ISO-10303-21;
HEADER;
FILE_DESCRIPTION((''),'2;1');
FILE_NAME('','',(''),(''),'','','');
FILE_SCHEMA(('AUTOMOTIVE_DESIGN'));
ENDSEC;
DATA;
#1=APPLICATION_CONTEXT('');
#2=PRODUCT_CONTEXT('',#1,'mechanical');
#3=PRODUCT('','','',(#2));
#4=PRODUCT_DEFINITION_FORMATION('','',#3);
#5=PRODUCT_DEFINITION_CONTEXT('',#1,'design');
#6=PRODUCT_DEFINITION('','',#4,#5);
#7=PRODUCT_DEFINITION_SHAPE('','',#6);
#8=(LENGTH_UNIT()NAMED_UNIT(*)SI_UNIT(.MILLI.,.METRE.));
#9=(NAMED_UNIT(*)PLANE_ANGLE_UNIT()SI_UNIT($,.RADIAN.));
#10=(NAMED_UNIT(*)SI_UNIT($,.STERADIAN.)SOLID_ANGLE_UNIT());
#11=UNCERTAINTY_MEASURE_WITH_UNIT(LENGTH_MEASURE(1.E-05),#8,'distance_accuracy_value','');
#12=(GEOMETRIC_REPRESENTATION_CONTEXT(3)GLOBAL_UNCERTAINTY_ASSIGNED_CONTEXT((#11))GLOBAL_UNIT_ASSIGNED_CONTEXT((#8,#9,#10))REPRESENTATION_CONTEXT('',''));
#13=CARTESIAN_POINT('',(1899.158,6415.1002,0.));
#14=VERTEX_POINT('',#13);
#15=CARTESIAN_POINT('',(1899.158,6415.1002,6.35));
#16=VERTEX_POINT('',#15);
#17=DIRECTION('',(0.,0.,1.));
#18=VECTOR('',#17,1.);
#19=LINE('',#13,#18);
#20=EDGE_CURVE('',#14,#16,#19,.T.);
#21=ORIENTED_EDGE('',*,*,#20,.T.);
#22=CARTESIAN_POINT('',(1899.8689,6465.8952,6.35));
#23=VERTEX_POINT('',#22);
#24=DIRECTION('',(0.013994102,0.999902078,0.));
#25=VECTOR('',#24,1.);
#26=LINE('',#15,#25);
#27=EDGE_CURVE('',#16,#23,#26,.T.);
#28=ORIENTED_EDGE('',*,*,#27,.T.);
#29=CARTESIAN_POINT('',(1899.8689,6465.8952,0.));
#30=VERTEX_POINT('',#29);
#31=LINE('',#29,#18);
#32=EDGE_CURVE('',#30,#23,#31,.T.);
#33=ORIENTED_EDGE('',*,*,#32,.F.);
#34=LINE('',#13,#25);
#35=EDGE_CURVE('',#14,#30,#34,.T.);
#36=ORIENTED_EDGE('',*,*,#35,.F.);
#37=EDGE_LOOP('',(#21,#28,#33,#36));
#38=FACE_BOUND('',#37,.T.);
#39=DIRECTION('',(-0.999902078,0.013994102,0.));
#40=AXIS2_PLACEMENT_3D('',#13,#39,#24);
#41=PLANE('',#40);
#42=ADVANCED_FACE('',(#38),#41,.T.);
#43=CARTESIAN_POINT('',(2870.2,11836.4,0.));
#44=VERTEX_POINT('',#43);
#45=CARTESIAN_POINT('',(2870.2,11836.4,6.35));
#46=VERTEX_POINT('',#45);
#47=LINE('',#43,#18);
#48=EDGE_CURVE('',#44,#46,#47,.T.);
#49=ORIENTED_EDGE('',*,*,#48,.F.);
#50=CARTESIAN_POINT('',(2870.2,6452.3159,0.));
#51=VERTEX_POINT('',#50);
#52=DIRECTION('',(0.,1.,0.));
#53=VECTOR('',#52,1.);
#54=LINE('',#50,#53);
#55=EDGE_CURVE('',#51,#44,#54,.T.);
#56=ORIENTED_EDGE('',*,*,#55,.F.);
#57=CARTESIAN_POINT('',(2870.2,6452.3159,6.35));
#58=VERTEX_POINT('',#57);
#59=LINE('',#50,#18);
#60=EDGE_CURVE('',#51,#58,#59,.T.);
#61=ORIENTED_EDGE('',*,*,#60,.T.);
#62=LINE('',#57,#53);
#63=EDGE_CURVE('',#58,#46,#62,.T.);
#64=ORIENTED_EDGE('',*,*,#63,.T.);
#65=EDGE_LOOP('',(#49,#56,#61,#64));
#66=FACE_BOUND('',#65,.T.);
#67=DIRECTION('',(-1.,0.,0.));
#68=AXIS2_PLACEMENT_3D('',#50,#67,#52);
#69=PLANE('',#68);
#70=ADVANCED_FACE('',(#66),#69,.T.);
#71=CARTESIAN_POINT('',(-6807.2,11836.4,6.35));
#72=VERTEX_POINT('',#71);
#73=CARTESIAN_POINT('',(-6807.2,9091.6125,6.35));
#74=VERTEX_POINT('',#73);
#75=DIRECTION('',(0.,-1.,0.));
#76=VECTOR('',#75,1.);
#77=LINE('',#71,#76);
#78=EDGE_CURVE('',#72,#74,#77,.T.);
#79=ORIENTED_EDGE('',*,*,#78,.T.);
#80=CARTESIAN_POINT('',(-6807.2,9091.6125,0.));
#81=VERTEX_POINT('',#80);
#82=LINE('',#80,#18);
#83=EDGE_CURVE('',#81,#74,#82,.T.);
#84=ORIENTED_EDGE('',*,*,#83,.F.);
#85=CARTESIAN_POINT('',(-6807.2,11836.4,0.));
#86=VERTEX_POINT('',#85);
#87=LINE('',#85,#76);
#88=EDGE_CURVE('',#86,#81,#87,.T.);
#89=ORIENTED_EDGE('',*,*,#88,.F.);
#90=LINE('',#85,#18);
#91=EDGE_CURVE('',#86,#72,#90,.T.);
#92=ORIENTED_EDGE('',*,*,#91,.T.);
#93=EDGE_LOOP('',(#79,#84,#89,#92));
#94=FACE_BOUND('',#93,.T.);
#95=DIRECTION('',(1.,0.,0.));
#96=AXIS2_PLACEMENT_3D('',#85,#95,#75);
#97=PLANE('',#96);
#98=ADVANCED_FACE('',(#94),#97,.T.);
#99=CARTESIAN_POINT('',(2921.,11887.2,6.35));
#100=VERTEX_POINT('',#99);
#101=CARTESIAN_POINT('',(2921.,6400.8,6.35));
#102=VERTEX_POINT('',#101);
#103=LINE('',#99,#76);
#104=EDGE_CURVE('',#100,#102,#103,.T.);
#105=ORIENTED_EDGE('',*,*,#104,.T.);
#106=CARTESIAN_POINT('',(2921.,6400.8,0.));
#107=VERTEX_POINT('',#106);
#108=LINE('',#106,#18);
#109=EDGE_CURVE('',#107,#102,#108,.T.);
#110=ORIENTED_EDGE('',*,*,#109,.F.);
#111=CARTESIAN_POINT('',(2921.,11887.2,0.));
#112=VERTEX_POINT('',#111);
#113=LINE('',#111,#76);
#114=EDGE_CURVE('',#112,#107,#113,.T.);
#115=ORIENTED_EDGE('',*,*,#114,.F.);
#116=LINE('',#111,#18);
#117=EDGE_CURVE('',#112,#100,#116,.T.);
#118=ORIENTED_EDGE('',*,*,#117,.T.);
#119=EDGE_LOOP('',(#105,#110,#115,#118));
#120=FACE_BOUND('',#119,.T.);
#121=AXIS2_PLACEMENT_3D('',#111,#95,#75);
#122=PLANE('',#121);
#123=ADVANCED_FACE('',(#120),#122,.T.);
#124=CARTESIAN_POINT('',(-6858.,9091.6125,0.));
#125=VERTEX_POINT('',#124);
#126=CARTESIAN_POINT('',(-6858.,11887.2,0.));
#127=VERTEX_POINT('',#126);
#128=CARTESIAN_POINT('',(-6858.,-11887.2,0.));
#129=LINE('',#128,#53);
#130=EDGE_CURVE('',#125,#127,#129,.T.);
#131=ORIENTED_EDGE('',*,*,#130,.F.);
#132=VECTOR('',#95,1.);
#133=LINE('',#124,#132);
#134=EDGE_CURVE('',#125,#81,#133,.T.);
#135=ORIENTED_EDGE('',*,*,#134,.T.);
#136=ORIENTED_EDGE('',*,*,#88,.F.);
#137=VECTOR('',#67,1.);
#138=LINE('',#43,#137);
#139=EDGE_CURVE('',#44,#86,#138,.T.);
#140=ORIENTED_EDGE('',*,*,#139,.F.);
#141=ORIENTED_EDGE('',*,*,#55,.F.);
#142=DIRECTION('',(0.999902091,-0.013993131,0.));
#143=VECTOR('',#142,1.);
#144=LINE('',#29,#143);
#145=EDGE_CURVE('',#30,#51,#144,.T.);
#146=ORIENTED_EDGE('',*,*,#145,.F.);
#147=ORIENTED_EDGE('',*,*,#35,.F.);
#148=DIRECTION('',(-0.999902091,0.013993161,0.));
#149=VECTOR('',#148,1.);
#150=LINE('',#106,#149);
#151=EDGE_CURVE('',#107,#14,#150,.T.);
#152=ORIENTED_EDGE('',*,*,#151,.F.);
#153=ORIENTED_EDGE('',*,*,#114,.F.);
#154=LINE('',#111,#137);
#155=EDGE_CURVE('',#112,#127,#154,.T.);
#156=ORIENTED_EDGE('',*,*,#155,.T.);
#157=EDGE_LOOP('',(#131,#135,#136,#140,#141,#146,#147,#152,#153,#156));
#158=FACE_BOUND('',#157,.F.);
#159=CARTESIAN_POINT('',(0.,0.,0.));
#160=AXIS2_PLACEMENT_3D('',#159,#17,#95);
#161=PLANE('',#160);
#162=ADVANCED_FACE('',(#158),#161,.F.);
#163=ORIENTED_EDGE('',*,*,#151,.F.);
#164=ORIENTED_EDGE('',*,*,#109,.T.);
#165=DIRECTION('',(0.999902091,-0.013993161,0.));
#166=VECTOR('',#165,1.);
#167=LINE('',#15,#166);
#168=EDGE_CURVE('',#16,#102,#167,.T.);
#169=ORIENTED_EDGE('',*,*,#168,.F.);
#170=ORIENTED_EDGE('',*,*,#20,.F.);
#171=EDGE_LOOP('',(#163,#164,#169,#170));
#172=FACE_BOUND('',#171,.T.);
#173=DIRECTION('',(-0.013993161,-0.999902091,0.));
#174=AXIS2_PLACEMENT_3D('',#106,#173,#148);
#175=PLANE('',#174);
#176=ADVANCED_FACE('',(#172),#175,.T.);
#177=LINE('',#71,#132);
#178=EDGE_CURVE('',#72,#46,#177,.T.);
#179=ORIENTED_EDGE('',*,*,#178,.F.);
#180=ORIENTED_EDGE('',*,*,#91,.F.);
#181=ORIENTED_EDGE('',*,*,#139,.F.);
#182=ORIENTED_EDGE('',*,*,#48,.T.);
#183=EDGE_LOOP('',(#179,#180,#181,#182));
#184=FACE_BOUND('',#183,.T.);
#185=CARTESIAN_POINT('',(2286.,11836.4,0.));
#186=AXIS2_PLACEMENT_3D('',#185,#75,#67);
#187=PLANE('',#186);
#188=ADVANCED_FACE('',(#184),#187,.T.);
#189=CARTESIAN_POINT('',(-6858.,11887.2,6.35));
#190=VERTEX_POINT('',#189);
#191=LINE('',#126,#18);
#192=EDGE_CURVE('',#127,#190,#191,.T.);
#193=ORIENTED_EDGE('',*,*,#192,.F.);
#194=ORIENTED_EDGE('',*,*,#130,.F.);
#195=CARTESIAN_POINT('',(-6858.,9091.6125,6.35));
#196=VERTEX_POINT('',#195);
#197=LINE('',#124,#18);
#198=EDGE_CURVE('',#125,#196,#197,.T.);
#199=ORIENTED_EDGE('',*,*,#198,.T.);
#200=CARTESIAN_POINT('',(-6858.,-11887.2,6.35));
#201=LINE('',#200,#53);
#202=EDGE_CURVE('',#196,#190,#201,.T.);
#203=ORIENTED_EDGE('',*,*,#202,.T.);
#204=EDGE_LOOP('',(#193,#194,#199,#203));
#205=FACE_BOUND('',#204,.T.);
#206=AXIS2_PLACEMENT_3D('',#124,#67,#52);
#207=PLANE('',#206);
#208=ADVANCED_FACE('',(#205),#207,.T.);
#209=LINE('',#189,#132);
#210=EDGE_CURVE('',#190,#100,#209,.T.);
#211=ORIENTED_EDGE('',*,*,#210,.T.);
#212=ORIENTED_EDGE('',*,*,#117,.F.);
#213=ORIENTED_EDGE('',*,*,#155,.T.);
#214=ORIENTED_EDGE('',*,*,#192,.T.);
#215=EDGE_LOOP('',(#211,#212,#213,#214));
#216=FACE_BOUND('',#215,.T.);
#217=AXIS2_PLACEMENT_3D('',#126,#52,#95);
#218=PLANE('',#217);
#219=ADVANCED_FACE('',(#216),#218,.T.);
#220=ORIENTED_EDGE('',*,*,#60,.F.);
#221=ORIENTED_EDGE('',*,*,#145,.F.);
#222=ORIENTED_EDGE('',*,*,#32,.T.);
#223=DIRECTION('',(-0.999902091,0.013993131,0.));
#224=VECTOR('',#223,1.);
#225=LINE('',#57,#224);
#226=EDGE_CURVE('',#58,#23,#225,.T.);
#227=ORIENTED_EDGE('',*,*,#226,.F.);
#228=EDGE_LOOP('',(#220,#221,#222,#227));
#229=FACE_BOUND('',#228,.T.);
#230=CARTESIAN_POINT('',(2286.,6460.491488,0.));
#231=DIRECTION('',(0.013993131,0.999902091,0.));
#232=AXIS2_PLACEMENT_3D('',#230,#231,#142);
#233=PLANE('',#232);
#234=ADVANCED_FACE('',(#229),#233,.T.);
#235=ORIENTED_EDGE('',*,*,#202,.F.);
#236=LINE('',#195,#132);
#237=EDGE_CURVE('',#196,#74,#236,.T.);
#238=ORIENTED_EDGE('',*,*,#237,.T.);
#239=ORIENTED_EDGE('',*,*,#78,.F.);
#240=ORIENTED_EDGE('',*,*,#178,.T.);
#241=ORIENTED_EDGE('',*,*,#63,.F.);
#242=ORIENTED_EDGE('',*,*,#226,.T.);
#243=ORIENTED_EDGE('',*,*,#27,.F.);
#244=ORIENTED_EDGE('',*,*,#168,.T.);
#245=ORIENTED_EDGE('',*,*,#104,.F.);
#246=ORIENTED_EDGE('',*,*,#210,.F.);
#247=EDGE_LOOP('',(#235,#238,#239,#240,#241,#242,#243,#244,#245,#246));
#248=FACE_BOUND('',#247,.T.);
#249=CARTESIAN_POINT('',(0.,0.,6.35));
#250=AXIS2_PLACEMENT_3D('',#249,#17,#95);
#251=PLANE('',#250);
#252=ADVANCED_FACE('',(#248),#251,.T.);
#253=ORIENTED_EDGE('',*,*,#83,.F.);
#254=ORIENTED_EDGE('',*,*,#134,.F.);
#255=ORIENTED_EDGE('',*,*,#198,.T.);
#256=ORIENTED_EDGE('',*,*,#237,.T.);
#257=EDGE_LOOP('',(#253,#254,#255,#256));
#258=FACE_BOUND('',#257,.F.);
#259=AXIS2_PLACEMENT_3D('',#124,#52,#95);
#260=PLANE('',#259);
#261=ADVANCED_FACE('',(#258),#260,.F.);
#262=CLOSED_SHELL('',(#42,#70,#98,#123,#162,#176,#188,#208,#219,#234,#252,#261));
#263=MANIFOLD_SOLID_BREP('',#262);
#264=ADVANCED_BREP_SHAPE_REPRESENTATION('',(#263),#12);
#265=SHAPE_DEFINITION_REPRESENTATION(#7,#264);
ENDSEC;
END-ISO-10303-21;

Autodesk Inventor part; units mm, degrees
ref_plane "YZ Plane" through (0, 0, 0) normal (1, 0, 0) x (0, 1, 0)
ref_plane "XZ Plane" through (0, 0, 0) normal (0, 1, 0) x (-1, 0, 0)
ref_plane "XY Plane" through (0, 0, 0) normal (0, 0, 1) x (1, 0, 0)
ref_plane "Work Plane1" through (0, 0, 0) normal (0, 0, 1) x (1, 0, 0)
sketch "Sketch1" plane through (0, 0, 0) normal (0, 0, 1) x (1, 0, 0)
  line L0 (-6858, 11887.2) -> (-2286, 11887.2) projected
  line L1 (-6858, -11887.2) -> (-6858, 11887.2) projected
  line L2 (2286, 11887.2) -> (2286, -11887.2) projected
  line L3 (-2286, 11887.2) -> (2286, 11887.2) projected
  line L4 (-6858, 11887.2) -> (2921, 11887.2)
  line L5 (2921, 11887.2) -> (2921, 6400.8)
  line L6 (-6858, 9091.6125) -> (2286, 9091.6125) projected
  line L7 (-6858, 11887.2) -> (-6858, 9091.6125)
  line L8 (1899.158, 4586.3002) -> (1899.158, 6415.1002) projected
  line L9 (2921, 6400.8) -> (1899.158, 6415.1002)
  line L10 (1899.8689, 6465.8952) -> (2870.2, 6452.3159)
  line L11 (2870.2, 6452.3159) -> (2870.2, 11836.4)
  line L12 (2870.2, 11836.4) -> (-6807.2, 11836.4)
  line L13 (-6807.2, 11836.4) -> (-6807.2, 9091.6125)
  line L14 (1899.158, 6415.1002) -> (1899.8689, 6465.8952)
  line L15 (-6858, 9091.6125) -> (-6807.2, 9091.6125)
  line L16 (1899.158, 6415.1002) -> (1899.8689, 6465.8952)
  point P0 (0, 0)
  dimension "d0" = 9779
  dimension "d1" = 5486.4
  dimension "d2" = 50.8
extrude "Extrusion1" add sketch "Sketch1" along normal blind 6.35 contours L0 L3 L2 L12 L13 L6 L1 | L4 L5 L9 L2 L10 L11 L12 | L2 L9 L14 L10
properties part number "Trim-Blue_03"
